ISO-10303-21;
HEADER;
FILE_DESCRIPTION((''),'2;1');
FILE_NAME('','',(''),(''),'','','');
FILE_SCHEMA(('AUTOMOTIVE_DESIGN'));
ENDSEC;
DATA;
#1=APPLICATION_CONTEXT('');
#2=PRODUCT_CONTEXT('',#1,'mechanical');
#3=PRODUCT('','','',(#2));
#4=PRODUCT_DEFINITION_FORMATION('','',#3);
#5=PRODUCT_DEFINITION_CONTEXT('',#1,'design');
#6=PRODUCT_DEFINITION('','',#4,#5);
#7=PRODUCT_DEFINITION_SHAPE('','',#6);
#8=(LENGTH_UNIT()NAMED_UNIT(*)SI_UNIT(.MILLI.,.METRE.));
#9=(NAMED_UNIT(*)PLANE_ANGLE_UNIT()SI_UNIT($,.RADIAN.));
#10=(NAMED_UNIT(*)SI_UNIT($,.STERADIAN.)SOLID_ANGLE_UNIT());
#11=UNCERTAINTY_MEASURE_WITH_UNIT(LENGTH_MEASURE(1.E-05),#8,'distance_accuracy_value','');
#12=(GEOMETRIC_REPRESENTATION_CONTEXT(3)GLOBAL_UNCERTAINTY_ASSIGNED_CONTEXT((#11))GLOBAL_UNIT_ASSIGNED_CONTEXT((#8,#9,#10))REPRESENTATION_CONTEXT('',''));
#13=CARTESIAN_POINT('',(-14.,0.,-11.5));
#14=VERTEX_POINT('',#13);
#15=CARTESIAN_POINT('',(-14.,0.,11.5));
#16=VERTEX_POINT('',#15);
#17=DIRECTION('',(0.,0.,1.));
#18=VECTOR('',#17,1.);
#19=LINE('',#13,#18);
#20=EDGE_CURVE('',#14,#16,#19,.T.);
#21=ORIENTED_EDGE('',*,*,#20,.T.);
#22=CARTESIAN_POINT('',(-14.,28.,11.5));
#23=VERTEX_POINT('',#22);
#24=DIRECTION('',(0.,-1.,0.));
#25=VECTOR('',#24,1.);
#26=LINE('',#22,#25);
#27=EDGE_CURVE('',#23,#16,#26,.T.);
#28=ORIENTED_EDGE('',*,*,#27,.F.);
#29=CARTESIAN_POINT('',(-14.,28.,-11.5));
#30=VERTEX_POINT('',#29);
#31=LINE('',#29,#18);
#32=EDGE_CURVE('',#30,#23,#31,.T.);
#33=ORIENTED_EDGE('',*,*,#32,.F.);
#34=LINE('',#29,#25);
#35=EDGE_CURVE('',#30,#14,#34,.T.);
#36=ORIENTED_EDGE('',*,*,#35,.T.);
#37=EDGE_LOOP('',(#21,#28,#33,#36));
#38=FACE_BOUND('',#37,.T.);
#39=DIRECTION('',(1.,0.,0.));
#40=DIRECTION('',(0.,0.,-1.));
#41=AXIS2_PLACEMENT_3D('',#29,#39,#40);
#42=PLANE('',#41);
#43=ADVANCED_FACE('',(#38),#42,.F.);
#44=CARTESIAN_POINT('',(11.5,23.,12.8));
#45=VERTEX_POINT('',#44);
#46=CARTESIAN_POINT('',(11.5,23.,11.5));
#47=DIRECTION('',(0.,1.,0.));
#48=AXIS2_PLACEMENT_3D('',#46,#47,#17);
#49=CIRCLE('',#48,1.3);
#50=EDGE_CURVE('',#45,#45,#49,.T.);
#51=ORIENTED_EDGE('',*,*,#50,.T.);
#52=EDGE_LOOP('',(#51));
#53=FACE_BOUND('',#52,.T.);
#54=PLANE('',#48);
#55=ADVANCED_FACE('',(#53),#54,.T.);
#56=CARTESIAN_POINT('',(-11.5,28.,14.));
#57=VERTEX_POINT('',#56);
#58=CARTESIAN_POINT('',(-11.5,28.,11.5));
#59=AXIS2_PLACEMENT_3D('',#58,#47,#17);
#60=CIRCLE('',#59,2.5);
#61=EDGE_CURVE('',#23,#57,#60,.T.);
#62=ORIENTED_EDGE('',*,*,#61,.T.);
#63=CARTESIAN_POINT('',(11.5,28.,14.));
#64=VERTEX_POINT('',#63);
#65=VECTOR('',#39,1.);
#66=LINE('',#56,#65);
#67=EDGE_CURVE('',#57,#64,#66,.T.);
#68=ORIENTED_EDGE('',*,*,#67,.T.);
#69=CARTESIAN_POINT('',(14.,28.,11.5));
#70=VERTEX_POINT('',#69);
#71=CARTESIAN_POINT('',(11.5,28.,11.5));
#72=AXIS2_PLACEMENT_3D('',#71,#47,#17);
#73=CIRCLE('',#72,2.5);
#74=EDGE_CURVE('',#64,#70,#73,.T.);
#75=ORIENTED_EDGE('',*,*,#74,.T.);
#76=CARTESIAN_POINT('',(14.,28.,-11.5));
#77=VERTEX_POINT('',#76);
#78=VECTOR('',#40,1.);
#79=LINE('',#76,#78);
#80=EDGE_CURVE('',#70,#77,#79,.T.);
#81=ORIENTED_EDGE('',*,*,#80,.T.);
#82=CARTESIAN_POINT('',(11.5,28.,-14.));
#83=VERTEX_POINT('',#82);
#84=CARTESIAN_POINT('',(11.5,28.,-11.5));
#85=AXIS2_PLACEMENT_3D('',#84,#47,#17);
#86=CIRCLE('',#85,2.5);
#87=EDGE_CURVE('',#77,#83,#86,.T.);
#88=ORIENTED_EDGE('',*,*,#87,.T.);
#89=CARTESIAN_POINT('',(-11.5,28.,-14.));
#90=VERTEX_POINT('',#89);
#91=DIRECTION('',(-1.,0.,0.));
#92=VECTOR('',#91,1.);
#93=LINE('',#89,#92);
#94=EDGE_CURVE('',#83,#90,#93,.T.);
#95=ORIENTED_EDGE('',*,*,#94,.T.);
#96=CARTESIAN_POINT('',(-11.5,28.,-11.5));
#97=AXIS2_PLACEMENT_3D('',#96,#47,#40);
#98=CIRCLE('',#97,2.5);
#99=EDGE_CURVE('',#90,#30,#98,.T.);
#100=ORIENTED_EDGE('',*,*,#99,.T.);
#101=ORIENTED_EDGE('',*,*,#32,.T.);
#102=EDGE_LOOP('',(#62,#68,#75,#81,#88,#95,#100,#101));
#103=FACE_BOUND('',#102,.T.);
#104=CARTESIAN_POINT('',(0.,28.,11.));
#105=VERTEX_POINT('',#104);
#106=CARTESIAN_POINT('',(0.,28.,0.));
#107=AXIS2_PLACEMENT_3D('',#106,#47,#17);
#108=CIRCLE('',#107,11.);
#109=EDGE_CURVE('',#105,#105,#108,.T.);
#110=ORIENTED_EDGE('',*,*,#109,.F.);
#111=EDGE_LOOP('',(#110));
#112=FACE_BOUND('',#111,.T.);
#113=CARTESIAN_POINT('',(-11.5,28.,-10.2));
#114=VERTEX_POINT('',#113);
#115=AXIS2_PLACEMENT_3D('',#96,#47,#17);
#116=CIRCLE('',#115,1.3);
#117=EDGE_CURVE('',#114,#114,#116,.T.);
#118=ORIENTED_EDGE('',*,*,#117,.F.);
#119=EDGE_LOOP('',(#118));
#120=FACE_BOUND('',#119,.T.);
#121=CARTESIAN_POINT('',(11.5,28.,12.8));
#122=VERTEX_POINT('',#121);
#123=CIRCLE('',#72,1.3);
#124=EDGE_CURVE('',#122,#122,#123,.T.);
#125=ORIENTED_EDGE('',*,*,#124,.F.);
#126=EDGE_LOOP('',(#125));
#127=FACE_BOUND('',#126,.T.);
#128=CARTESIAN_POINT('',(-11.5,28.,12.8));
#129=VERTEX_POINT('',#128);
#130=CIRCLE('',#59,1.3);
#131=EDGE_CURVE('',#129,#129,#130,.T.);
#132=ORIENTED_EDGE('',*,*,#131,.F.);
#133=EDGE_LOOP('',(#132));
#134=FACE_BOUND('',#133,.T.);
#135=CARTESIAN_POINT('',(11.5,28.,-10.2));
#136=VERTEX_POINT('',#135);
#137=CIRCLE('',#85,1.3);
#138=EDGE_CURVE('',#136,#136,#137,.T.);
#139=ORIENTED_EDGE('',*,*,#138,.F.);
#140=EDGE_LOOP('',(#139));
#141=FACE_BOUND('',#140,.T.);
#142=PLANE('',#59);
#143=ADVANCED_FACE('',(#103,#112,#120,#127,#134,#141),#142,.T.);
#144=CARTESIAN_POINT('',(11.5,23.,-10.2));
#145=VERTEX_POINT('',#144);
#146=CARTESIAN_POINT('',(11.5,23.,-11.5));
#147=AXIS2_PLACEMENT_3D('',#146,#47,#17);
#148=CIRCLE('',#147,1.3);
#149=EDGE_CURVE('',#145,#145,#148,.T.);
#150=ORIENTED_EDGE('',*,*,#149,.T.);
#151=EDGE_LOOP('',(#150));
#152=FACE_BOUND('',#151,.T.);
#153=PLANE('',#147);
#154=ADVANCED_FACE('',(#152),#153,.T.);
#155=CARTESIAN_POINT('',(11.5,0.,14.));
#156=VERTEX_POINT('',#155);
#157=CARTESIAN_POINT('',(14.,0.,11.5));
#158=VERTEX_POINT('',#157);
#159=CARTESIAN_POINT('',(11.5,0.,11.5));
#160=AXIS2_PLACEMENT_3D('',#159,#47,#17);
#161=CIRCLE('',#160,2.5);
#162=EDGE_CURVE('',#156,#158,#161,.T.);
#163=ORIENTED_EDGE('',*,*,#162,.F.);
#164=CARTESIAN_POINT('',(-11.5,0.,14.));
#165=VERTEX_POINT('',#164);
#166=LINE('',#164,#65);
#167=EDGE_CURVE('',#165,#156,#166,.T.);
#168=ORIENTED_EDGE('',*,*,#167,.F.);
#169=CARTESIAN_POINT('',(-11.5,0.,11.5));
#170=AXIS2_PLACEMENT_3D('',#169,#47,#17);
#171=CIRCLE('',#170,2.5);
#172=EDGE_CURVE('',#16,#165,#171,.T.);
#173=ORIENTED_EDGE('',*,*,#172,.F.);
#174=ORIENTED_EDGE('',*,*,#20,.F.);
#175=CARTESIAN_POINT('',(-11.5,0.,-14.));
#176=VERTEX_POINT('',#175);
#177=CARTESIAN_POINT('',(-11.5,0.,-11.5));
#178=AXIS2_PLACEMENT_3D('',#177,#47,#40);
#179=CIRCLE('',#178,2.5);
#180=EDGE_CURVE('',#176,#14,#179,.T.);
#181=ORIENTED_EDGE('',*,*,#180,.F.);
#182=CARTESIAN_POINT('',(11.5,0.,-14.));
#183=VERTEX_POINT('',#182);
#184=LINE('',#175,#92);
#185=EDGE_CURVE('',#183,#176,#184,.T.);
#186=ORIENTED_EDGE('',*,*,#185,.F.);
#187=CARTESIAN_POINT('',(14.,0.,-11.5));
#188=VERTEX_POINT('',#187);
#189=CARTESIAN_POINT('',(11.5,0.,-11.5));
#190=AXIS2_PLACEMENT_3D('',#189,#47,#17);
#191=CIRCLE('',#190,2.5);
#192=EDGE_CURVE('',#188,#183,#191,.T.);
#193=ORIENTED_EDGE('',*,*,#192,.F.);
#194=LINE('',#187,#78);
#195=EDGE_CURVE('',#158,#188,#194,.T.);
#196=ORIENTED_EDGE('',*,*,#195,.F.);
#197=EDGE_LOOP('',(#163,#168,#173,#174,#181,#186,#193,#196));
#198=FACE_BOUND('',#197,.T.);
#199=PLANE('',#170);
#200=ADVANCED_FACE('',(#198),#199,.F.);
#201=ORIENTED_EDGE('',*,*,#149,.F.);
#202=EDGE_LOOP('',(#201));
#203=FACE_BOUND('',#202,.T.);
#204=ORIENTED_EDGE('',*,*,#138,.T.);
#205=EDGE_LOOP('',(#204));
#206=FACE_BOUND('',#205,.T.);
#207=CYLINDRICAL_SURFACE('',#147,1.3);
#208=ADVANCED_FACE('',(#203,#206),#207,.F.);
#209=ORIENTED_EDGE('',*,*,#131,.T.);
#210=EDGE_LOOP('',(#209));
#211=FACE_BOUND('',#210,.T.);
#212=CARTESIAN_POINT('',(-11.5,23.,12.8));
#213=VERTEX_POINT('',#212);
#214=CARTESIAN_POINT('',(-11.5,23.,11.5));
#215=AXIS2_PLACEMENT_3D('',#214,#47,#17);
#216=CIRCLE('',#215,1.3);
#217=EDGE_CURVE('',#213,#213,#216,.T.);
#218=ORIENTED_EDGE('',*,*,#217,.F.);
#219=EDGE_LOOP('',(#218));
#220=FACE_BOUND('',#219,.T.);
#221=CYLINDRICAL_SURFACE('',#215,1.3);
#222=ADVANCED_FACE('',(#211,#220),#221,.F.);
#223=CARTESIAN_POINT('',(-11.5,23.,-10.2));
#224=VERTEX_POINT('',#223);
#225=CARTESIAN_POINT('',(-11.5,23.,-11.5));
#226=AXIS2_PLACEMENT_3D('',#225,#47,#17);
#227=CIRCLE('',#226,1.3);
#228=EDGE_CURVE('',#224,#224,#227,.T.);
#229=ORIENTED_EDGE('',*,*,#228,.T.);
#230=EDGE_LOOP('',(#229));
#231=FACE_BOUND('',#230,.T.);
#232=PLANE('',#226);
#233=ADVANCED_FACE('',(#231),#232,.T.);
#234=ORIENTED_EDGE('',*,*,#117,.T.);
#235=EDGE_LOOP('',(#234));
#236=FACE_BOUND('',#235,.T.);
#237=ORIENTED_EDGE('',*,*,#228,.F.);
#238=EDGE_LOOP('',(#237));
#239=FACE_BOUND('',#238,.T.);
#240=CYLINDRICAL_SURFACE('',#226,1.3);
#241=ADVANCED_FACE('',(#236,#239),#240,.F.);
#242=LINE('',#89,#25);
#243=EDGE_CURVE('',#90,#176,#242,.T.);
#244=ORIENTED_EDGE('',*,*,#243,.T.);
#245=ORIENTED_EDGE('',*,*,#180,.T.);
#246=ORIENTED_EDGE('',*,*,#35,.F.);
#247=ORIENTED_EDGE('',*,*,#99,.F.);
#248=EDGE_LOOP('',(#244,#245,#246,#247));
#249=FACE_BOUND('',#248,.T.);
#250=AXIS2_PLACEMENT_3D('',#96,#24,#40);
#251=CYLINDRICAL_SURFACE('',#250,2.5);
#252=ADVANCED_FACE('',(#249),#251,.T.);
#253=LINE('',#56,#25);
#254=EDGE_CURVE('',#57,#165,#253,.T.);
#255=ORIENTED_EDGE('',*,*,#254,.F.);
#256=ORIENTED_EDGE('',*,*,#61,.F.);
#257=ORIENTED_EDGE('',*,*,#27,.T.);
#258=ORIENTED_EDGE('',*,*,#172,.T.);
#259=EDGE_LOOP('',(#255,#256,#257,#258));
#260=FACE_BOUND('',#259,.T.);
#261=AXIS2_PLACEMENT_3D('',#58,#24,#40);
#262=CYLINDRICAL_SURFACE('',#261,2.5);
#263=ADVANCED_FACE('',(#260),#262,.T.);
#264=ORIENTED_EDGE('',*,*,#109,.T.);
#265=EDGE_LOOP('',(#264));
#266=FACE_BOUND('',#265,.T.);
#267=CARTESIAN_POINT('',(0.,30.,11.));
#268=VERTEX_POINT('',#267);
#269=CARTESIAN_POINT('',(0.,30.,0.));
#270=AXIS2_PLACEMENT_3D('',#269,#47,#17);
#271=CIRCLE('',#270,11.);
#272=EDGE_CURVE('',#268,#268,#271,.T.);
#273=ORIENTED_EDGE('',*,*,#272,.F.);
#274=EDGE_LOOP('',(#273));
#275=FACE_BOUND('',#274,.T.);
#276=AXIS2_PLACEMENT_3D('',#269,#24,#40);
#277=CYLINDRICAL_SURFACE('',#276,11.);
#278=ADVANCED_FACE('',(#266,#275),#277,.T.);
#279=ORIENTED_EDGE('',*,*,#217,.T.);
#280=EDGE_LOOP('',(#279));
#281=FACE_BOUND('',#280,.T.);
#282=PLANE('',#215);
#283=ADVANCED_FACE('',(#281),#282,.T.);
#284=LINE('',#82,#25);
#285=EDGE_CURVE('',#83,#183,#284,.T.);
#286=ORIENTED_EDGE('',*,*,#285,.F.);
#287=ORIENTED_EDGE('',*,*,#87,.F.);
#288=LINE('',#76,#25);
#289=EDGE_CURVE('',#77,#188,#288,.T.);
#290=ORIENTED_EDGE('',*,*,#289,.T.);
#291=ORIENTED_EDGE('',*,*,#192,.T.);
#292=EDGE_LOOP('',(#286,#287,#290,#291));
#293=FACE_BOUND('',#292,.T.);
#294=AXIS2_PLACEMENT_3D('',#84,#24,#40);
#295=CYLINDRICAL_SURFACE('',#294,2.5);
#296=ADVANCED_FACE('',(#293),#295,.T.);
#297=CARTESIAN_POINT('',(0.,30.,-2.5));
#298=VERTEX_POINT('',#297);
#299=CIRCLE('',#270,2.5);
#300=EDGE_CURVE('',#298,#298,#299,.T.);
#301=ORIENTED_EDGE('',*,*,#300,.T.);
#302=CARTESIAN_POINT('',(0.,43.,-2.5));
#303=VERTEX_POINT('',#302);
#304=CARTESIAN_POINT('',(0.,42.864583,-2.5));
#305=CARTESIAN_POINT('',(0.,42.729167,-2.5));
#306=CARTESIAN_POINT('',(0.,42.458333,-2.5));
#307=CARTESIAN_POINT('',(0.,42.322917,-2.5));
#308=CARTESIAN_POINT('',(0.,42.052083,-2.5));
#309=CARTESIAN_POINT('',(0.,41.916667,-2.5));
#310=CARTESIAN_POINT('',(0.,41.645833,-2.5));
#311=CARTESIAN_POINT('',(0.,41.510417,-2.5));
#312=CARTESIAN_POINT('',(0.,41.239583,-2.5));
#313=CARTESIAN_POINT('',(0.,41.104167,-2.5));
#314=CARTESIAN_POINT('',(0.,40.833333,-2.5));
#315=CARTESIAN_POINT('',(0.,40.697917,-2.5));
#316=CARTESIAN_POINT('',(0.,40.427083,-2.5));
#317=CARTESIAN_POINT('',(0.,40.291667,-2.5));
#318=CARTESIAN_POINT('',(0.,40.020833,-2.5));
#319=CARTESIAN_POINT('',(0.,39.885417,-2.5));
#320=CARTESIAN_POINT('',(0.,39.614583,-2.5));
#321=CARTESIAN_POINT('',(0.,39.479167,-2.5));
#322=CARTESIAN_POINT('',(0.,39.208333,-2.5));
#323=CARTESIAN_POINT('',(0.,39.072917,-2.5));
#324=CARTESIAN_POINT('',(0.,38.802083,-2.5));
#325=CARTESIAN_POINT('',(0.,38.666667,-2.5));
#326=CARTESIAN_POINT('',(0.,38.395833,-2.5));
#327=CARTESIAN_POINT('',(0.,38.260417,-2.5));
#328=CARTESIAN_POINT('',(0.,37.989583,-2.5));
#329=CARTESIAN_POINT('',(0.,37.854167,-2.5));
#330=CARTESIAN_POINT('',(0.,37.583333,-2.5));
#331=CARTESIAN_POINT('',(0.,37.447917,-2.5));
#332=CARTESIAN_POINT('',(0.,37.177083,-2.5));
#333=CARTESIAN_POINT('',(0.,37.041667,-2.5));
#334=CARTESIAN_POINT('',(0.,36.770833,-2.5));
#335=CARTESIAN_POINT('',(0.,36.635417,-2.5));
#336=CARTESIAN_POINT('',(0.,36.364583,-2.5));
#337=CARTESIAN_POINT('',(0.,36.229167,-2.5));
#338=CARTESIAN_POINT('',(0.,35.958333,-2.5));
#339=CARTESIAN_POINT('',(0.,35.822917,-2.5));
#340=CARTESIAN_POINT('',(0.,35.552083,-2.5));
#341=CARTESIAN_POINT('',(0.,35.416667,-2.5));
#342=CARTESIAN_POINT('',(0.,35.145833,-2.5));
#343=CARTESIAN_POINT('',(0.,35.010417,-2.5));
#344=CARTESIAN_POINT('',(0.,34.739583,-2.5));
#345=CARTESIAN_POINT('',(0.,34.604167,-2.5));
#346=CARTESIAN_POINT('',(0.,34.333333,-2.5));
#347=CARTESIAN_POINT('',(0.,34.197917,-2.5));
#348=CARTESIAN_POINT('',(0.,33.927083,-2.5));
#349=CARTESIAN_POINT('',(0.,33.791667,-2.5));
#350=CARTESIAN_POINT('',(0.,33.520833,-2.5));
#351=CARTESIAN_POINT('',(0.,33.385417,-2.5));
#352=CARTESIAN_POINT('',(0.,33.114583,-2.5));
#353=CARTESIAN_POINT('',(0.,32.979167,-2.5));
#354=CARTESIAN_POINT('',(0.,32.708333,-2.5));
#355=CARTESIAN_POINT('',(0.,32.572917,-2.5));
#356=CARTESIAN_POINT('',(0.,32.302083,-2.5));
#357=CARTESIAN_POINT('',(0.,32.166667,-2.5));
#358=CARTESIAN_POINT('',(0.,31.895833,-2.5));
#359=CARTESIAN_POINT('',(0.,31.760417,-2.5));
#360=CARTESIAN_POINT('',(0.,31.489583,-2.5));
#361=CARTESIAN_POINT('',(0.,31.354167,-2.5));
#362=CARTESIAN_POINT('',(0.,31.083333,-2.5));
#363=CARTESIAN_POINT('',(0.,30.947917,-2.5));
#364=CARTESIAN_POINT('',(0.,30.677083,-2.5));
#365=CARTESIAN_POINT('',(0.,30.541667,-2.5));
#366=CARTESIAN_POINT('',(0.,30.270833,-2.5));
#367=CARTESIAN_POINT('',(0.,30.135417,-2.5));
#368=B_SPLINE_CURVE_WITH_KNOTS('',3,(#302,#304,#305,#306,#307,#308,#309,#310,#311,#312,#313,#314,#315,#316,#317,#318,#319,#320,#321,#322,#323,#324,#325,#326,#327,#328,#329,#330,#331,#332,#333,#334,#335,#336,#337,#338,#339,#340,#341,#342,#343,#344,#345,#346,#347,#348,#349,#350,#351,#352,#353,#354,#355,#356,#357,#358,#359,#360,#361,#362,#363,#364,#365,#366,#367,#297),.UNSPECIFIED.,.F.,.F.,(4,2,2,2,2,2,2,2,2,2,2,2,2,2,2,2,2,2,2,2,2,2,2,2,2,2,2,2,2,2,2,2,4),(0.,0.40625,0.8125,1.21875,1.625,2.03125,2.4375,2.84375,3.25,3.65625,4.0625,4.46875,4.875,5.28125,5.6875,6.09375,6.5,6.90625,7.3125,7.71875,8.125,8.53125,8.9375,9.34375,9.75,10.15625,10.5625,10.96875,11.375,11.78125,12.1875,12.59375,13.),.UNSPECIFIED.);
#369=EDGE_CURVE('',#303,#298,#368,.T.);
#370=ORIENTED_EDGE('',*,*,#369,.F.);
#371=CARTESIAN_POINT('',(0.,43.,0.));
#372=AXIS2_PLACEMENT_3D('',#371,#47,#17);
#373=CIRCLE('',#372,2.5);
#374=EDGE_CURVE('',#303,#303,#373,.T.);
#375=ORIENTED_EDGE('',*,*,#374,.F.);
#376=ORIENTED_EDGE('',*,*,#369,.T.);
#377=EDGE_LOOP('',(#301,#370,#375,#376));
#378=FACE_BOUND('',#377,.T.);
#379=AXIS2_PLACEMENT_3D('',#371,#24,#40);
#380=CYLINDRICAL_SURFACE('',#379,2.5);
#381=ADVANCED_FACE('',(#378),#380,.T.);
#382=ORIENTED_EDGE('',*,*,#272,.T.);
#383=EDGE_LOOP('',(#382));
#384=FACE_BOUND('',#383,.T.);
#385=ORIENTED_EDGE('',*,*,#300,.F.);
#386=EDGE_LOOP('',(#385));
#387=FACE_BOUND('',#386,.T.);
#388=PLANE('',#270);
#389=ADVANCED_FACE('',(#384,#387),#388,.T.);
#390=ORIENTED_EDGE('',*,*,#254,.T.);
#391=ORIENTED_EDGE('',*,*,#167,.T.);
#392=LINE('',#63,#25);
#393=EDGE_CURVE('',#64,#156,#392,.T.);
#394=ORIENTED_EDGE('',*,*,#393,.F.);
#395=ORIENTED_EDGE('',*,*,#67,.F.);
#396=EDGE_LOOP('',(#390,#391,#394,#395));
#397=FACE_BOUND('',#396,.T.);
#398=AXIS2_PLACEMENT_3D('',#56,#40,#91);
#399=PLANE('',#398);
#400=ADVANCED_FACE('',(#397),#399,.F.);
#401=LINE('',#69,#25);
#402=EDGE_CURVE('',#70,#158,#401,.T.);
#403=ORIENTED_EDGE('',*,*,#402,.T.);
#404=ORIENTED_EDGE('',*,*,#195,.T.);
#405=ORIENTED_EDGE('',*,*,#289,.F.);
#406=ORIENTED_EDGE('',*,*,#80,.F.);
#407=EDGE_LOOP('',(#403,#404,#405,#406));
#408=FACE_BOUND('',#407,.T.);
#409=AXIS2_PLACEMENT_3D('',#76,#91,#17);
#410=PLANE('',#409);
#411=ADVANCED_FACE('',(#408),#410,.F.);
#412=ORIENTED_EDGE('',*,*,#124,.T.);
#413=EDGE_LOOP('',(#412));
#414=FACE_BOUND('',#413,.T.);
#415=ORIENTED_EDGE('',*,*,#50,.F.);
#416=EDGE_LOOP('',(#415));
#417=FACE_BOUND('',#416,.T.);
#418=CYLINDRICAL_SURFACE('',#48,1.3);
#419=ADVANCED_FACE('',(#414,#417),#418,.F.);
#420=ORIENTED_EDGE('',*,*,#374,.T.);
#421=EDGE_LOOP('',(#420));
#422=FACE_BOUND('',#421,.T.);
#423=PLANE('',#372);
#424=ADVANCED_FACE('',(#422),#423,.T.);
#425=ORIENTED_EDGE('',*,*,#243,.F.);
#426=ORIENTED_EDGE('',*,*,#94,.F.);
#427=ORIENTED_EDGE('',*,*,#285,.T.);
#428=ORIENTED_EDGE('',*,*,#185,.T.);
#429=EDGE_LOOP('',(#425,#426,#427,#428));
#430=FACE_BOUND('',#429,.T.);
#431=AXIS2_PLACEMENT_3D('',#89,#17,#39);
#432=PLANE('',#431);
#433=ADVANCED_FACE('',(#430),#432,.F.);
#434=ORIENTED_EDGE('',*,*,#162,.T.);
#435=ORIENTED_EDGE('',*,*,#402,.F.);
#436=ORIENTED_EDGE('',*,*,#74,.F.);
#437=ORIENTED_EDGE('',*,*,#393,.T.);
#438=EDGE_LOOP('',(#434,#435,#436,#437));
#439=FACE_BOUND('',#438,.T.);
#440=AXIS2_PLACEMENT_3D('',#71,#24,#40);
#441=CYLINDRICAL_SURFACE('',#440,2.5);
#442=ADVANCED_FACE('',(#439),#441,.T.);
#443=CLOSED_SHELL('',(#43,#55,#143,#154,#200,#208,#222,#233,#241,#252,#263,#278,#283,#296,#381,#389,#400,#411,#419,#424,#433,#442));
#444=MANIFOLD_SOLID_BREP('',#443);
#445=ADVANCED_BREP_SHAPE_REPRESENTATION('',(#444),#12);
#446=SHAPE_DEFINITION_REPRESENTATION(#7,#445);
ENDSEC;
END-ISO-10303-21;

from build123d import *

# Parameters (mm, degrees)
EXTRUDE_1_DEPTH     = 28
SKETCH_2_R          = 11
EXTRUDE_2_DEPTH     = 2
SKETCH_3_R          = 2.5
EXTRUDE_3_DEPTH     = 13
SKETCH_4_R          = 1.3
CUT_EXTRUDE_1_DEPTH = 5


with BuildPart() as part:
    # 草图1 → 凸台-拉伸1 (new body)
    with BuildSketch(Plane(origin=(0, 0, 0), x_dir=(1, 0, 0), z_dir=(0, 1, 0))):
        with BuildLine():
            Line((-11.5, 14), (11.5, 14))
            ThreePointArc((11.5, 14), (13.267766953, 13.267766953), (14, 11.5))
            Line((14, 11.5), (14, -11.5))
            ThreePointArc((14, -11.5), (13.267766953, -13.267766953), (11.5, -14))
            Line((11.5, -14), (-11.5, -14))
            ThreePointArc((-11.5, -14), (-13.267766953, -13.267766953), (-14, -11.5))
            Line((-14, -11.5), (-14, 11.5))
            ThreePointArc((-14, 11.5), (-13.267766953, 13.267766953), (-11.5, 14))
        make_face()
    extrude(amount=EXTRUDE_1_DEPTH)

    # 草图2 → 凸台-拉伸2 (add)
    with BuildSketch(Plane(origin=(0, 28, 0), x_dir=(-1, 0, 0), z_dir=(0, 1, 0))):
        with Locations(Location((0, 0, 0), (0, 0, 90))):
            Circle(SKETCH_2_R)
    extrude(amount=EXTRUDE_2_DEPTH)

    # 草图3 → 凸台-拉伸3 (add)
    with BuildSketch(Plane(origin=(0, 30, 0), x_dir=(-1, 0, 0), z_dir=(0, 1, 0))):
        with Locations(Location((0, 0, 0), (0, 0, 270))):
            Circle(SKETCH_3_R)
    extrude(amount=EXTRUDE_3_DEPTH)

    # 草图4 → 切除-拉伸1 (cut)
    with BuildSketch(Plane(origin=(0, 28, 0), x_dir=(-1, 0, 0), z_dir=(0, 1, 0))):
        with Locations(Location((11.5, 11.5, 0), (0, 0, 90))):
            Circle(SKETCH_4_R)
        with Locations(Location((11.5, -11.5, 0), (0, 0, 90))):
            Circle(SKETCH_4_R)
        with Locations(Location((-11.5, -11.5, 0), (0, 0, 90))):
            Circle(SKETCH_4_R)
        with Locations(Location((-11.5, 11.5, 0), (0, 0, 90))):
            Circle(SKETCH_4_R)
    extrude(amount=-CUT_EXTRUDE_1_DEPTH, mode=Mode.SUBTRACT)


solid = part.part
